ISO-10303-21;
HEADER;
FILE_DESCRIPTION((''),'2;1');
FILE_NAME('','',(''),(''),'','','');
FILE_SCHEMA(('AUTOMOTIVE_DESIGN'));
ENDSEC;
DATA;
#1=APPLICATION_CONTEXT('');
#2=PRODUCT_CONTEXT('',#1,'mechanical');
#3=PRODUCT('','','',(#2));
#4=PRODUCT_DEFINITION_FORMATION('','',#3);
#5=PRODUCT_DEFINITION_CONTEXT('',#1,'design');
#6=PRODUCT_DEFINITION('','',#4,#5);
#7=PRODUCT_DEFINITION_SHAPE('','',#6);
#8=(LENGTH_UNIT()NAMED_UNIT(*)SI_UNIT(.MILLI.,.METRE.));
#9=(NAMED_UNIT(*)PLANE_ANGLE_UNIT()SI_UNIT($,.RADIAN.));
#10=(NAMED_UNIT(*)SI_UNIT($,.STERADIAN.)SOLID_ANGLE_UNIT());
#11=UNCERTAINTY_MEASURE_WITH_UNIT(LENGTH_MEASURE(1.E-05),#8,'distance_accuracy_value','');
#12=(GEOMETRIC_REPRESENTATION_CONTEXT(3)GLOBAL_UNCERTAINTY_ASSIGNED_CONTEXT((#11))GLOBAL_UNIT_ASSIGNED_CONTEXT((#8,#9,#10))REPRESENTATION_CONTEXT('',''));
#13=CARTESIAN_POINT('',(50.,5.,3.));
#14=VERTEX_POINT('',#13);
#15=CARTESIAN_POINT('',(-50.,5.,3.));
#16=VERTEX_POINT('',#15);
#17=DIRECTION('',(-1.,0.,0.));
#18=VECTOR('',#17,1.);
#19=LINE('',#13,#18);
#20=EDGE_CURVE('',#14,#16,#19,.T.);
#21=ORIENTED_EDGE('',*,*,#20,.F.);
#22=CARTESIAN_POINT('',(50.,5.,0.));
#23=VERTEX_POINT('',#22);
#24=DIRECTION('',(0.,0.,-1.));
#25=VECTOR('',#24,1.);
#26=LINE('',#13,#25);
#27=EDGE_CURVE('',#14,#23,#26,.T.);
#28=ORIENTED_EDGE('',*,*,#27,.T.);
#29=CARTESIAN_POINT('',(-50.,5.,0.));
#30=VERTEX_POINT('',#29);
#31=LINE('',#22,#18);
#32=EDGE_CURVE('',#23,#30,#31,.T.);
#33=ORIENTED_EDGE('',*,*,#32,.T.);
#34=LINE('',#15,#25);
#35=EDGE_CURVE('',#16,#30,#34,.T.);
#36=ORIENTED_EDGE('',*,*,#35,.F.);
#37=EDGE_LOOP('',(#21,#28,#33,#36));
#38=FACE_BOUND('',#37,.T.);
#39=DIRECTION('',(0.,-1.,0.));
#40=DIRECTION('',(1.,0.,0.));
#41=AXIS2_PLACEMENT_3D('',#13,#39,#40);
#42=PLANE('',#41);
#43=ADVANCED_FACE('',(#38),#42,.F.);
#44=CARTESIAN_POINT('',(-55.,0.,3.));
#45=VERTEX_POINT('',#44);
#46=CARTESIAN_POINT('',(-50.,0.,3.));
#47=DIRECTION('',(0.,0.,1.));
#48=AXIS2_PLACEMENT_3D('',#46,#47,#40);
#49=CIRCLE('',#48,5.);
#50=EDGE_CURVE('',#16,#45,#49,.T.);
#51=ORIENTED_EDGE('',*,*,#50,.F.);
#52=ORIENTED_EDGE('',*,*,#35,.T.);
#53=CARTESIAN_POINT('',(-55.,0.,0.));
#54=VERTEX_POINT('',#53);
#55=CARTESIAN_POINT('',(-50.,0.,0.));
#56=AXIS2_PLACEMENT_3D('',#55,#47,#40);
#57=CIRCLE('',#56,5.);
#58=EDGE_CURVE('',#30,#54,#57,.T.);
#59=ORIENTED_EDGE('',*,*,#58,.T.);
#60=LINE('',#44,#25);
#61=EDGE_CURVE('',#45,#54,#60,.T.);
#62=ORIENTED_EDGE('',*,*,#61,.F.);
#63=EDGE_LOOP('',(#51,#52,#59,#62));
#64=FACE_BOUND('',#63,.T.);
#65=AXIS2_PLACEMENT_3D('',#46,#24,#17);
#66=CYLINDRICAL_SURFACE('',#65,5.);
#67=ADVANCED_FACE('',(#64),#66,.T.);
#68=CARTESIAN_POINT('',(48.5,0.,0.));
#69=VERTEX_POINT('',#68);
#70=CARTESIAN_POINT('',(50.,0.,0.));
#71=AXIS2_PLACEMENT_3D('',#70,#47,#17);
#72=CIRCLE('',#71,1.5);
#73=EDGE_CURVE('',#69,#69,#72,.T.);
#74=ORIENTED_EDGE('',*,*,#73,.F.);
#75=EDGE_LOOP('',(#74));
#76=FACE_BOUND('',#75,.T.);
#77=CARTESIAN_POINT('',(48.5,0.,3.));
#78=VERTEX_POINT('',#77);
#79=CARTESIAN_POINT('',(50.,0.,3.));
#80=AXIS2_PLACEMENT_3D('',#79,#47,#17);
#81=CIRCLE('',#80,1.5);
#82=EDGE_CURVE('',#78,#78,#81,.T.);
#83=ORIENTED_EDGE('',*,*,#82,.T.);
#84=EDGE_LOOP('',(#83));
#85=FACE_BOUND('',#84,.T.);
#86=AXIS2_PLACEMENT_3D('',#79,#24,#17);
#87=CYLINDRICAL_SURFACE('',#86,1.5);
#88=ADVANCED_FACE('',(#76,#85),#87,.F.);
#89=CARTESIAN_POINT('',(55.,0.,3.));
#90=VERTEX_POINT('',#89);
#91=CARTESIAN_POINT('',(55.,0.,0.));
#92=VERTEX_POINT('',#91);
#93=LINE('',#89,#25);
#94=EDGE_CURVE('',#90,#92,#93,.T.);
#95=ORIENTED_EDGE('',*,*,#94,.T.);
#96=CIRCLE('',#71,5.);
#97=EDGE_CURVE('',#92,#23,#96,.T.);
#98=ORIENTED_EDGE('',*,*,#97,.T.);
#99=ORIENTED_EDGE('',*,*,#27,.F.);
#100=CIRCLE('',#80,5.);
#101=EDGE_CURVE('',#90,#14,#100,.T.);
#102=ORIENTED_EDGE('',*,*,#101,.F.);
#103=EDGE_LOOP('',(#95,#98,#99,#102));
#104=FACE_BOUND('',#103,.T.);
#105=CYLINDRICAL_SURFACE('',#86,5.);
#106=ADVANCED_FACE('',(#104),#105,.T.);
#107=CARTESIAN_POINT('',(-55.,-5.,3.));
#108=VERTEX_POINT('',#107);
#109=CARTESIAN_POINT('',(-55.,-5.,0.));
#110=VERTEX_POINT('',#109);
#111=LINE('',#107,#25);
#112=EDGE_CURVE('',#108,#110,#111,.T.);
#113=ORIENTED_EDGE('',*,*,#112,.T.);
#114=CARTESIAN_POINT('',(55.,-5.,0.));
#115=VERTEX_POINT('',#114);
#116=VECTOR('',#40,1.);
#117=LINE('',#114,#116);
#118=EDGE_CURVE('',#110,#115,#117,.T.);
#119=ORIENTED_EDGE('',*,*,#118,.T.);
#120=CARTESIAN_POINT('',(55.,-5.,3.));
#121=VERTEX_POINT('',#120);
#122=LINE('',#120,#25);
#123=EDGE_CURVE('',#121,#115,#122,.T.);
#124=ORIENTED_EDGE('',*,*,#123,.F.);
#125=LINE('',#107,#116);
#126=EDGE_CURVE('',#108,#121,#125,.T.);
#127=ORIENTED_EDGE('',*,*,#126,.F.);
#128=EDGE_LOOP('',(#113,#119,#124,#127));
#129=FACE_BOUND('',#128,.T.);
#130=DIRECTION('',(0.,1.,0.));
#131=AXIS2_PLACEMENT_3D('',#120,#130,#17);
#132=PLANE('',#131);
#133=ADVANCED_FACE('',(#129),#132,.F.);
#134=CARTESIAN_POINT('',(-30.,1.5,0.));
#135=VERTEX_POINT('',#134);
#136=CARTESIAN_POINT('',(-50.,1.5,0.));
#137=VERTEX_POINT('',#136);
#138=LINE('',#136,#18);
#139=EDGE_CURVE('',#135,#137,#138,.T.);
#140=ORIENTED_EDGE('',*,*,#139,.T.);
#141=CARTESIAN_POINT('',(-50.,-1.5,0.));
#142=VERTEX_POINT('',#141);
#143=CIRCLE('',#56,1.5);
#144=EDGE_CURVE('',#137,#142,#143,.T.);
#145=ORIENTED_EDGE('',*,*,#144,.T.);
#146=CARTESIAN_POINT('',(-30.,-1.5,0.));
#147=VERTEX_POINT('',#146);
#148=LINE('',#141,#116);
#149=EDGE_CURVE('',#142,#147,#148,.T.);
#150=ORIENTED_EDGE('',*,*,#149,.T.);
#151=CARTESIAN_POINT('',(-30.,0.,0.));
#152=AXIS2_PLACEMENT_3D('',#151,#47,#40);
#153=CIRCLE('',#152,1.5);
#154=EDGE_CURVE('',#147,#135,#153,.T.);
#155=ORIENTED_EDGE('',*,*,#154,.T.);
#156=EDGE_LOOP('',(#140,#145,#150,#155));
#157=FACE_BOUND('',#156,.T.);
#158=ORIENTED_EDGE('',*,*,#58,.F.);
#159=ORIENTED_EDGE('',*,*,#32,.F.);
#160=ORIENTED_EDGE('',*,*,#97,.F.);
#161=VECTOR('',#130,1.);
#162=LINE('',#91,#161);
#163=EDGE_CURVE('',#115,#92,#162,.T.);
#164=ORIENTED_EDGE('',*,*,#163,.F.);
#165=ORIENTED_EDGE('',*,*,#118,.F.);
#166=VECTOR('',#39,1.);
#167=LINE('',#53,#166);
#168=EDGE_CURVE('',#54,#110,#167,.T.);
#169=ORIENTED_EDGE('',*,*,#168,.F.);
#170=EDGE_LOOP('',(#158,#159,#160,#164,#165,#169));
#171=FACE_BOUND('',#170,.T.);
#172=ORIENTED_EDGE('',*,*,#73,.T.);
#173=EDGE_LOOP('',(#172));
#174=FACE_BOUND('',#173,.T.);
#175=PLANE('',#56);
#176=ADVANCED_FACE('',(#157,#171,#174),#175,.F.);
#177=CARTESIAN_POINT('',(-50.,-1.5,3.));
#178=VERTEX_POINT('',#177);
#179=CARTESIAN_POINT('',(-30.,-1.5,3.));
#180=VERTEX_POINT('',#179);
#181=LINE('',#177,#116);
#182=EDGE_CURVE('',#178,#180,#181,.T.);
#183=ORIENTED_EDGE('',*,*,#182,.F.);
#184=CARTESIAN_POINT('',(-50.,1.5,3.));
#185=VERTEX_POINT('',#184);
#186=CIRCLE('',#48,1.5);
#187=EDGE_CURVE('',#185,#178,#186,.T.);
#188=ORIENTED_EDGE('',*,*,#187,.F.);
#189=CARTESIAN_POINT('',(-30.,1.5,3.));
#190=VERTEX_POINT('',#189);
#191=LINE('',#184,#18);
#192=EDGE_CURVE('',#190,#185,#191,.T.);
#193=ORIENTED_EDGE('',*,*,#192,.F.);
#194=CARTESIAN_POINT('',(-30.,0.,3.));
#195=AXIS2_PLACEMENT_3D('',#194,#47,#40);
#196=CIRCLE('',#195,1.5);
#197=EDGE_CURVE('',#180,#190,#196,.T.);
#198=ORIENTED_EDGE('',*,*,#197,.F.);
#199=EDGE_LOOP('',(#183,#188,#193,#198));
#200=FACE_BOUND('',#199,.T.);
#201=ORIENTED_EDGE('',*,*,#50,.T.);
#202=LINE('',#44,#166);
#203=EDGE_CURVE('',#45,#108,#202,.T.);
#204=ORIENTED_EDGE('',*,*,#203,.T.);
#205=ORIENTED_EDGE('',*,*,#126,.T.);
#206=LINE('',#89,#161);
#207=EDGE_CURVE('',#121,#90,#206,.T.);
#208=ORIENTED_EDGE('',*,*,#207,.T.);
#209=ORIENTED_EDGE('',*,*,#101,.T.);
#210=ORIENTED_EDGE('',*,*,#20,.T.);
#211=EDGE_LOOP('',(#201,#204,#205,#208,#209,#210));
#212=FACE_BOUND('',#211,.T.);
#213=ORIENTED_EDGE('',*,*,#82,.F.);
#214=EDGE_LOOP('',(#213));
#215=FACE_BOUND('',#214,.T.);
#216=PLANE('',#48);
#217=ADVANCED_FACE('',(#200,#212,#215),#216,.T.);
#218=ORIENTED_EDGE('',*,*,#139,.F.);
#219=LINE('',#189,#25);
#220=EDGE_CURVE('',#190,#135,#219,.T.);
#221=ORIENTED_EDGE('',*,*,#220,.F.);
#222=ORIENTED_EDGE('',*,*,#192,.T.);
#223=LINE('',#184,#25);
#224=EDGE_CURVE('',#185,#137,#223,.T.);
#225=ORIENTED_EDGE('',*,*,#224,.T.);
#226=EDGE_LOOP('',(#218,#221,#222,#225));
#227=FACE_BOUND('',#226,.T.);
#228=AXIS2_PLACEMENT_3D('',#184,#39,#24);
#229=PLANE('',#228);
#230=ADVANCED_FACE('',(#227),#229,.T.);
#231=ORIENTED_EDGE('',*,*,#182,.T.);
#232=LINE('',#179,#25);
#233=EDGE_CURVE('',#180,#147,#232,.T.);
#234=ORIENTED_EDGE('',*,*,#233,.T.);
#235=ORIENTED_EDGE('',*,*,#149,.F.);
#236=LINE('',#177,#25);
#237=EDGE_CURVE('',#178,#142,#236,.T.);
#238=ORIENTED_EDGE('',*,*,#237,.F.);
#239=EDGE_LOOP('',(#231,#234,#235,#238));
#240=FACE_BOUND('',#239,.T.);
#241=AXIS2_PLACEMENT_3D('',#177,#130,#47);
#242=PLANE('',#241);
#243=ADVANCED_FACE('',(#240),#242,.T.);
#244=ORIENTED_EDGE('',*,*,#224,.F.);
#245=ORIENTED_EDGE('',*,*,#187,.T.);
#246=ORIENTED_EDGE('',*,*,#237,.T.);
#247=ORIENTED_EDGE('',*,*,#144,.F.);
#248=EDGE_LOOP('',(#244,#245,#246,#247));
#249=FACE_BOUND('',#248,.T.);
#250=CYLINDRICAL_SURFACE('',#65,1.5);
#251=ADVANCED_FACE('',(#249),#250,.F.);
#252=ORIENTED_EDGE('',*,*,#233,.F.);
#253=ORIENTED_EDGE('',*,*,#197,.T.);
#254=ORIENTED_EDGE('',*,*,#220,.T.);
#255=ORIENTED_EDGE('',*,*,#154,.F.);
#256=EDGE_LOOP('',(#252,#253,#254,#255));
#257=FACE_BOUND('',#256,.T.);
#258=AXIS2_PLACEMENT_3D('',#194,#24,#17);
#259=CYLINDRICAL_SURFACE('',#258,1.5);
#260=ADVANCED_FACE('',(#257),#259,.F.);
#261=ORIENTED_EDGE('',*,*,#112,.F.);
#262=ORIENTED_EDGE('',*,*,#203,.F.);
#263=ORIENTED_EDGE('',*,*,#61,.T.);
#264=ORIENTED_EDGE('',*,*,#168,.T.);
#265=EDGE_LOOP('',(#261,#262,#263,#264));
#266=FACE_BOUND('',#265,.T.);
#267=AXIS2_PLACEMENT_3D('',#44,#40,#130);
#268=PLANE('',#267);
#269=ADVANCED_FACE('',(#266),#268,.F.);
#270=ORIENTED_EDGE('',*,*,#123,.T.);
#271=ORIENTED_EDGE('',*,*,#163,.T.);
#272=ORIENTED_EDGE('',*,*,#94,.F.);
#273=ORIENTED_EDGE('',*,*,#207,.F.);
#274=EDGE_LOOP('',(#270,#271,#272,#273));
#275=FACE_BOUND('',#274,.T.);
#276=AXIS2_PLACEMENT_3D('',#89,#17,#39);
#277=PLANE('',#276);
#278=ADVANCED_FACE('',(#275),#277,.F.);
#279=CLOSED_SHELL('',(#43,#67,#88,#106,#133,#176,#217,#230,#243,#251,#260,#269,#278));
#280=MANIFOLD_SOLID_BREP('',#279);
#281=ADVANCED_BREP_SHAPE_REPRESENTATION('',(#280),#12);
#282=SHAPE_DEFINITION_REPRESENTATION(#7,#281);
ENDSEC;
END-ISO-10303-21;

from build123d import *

# Parameters (mm, degrees)
SKETCH1_R           = 1.5
BOSS_EXTRUDE1_DEPTH = 3


with BuildPart() as part:
    # Sketch1 → Boss-Extrude1 (new body)
    with BuildSketch(Plane.XY):
        with BuildLine():
            Line((50, -5), (-50, -5))
            Line((-50, -5), (-55, -5))
            Line((-55, -5), (-55, 0))
            ThreePointArc((-55, 0), (-53.535533906, 3.535533906), (-50, 5))
            Line((-50, 5), (50, 5))
            ThreePointArc((50, 5), (53.535533906, 3.535533906), (55, 0))
            Line((55, 0), (55, -5))
            Line((55, -5), (50, -5))
        make_face()
        with Locations((50, 0)):
            Circle(SKETCH1_R, mode=Mode.SUBTRACT)
        with BuildLine():
            Line((-50, 1.5), (-30, 1.5))
            ThreePointArc((-30, 1.5), (-28.5, 0), (-30, -1.5))
            Line((-30, -1.5), (-50, -1.5))
            ThreePointArc((-50, -1.5), (-51.5, 0), (-50, 1.5))
        make_face(mode=Mode.SUBTRACT)
    extrude(amount=BOSS_EXTRUDE1_DEPTH)


solid = part.part
